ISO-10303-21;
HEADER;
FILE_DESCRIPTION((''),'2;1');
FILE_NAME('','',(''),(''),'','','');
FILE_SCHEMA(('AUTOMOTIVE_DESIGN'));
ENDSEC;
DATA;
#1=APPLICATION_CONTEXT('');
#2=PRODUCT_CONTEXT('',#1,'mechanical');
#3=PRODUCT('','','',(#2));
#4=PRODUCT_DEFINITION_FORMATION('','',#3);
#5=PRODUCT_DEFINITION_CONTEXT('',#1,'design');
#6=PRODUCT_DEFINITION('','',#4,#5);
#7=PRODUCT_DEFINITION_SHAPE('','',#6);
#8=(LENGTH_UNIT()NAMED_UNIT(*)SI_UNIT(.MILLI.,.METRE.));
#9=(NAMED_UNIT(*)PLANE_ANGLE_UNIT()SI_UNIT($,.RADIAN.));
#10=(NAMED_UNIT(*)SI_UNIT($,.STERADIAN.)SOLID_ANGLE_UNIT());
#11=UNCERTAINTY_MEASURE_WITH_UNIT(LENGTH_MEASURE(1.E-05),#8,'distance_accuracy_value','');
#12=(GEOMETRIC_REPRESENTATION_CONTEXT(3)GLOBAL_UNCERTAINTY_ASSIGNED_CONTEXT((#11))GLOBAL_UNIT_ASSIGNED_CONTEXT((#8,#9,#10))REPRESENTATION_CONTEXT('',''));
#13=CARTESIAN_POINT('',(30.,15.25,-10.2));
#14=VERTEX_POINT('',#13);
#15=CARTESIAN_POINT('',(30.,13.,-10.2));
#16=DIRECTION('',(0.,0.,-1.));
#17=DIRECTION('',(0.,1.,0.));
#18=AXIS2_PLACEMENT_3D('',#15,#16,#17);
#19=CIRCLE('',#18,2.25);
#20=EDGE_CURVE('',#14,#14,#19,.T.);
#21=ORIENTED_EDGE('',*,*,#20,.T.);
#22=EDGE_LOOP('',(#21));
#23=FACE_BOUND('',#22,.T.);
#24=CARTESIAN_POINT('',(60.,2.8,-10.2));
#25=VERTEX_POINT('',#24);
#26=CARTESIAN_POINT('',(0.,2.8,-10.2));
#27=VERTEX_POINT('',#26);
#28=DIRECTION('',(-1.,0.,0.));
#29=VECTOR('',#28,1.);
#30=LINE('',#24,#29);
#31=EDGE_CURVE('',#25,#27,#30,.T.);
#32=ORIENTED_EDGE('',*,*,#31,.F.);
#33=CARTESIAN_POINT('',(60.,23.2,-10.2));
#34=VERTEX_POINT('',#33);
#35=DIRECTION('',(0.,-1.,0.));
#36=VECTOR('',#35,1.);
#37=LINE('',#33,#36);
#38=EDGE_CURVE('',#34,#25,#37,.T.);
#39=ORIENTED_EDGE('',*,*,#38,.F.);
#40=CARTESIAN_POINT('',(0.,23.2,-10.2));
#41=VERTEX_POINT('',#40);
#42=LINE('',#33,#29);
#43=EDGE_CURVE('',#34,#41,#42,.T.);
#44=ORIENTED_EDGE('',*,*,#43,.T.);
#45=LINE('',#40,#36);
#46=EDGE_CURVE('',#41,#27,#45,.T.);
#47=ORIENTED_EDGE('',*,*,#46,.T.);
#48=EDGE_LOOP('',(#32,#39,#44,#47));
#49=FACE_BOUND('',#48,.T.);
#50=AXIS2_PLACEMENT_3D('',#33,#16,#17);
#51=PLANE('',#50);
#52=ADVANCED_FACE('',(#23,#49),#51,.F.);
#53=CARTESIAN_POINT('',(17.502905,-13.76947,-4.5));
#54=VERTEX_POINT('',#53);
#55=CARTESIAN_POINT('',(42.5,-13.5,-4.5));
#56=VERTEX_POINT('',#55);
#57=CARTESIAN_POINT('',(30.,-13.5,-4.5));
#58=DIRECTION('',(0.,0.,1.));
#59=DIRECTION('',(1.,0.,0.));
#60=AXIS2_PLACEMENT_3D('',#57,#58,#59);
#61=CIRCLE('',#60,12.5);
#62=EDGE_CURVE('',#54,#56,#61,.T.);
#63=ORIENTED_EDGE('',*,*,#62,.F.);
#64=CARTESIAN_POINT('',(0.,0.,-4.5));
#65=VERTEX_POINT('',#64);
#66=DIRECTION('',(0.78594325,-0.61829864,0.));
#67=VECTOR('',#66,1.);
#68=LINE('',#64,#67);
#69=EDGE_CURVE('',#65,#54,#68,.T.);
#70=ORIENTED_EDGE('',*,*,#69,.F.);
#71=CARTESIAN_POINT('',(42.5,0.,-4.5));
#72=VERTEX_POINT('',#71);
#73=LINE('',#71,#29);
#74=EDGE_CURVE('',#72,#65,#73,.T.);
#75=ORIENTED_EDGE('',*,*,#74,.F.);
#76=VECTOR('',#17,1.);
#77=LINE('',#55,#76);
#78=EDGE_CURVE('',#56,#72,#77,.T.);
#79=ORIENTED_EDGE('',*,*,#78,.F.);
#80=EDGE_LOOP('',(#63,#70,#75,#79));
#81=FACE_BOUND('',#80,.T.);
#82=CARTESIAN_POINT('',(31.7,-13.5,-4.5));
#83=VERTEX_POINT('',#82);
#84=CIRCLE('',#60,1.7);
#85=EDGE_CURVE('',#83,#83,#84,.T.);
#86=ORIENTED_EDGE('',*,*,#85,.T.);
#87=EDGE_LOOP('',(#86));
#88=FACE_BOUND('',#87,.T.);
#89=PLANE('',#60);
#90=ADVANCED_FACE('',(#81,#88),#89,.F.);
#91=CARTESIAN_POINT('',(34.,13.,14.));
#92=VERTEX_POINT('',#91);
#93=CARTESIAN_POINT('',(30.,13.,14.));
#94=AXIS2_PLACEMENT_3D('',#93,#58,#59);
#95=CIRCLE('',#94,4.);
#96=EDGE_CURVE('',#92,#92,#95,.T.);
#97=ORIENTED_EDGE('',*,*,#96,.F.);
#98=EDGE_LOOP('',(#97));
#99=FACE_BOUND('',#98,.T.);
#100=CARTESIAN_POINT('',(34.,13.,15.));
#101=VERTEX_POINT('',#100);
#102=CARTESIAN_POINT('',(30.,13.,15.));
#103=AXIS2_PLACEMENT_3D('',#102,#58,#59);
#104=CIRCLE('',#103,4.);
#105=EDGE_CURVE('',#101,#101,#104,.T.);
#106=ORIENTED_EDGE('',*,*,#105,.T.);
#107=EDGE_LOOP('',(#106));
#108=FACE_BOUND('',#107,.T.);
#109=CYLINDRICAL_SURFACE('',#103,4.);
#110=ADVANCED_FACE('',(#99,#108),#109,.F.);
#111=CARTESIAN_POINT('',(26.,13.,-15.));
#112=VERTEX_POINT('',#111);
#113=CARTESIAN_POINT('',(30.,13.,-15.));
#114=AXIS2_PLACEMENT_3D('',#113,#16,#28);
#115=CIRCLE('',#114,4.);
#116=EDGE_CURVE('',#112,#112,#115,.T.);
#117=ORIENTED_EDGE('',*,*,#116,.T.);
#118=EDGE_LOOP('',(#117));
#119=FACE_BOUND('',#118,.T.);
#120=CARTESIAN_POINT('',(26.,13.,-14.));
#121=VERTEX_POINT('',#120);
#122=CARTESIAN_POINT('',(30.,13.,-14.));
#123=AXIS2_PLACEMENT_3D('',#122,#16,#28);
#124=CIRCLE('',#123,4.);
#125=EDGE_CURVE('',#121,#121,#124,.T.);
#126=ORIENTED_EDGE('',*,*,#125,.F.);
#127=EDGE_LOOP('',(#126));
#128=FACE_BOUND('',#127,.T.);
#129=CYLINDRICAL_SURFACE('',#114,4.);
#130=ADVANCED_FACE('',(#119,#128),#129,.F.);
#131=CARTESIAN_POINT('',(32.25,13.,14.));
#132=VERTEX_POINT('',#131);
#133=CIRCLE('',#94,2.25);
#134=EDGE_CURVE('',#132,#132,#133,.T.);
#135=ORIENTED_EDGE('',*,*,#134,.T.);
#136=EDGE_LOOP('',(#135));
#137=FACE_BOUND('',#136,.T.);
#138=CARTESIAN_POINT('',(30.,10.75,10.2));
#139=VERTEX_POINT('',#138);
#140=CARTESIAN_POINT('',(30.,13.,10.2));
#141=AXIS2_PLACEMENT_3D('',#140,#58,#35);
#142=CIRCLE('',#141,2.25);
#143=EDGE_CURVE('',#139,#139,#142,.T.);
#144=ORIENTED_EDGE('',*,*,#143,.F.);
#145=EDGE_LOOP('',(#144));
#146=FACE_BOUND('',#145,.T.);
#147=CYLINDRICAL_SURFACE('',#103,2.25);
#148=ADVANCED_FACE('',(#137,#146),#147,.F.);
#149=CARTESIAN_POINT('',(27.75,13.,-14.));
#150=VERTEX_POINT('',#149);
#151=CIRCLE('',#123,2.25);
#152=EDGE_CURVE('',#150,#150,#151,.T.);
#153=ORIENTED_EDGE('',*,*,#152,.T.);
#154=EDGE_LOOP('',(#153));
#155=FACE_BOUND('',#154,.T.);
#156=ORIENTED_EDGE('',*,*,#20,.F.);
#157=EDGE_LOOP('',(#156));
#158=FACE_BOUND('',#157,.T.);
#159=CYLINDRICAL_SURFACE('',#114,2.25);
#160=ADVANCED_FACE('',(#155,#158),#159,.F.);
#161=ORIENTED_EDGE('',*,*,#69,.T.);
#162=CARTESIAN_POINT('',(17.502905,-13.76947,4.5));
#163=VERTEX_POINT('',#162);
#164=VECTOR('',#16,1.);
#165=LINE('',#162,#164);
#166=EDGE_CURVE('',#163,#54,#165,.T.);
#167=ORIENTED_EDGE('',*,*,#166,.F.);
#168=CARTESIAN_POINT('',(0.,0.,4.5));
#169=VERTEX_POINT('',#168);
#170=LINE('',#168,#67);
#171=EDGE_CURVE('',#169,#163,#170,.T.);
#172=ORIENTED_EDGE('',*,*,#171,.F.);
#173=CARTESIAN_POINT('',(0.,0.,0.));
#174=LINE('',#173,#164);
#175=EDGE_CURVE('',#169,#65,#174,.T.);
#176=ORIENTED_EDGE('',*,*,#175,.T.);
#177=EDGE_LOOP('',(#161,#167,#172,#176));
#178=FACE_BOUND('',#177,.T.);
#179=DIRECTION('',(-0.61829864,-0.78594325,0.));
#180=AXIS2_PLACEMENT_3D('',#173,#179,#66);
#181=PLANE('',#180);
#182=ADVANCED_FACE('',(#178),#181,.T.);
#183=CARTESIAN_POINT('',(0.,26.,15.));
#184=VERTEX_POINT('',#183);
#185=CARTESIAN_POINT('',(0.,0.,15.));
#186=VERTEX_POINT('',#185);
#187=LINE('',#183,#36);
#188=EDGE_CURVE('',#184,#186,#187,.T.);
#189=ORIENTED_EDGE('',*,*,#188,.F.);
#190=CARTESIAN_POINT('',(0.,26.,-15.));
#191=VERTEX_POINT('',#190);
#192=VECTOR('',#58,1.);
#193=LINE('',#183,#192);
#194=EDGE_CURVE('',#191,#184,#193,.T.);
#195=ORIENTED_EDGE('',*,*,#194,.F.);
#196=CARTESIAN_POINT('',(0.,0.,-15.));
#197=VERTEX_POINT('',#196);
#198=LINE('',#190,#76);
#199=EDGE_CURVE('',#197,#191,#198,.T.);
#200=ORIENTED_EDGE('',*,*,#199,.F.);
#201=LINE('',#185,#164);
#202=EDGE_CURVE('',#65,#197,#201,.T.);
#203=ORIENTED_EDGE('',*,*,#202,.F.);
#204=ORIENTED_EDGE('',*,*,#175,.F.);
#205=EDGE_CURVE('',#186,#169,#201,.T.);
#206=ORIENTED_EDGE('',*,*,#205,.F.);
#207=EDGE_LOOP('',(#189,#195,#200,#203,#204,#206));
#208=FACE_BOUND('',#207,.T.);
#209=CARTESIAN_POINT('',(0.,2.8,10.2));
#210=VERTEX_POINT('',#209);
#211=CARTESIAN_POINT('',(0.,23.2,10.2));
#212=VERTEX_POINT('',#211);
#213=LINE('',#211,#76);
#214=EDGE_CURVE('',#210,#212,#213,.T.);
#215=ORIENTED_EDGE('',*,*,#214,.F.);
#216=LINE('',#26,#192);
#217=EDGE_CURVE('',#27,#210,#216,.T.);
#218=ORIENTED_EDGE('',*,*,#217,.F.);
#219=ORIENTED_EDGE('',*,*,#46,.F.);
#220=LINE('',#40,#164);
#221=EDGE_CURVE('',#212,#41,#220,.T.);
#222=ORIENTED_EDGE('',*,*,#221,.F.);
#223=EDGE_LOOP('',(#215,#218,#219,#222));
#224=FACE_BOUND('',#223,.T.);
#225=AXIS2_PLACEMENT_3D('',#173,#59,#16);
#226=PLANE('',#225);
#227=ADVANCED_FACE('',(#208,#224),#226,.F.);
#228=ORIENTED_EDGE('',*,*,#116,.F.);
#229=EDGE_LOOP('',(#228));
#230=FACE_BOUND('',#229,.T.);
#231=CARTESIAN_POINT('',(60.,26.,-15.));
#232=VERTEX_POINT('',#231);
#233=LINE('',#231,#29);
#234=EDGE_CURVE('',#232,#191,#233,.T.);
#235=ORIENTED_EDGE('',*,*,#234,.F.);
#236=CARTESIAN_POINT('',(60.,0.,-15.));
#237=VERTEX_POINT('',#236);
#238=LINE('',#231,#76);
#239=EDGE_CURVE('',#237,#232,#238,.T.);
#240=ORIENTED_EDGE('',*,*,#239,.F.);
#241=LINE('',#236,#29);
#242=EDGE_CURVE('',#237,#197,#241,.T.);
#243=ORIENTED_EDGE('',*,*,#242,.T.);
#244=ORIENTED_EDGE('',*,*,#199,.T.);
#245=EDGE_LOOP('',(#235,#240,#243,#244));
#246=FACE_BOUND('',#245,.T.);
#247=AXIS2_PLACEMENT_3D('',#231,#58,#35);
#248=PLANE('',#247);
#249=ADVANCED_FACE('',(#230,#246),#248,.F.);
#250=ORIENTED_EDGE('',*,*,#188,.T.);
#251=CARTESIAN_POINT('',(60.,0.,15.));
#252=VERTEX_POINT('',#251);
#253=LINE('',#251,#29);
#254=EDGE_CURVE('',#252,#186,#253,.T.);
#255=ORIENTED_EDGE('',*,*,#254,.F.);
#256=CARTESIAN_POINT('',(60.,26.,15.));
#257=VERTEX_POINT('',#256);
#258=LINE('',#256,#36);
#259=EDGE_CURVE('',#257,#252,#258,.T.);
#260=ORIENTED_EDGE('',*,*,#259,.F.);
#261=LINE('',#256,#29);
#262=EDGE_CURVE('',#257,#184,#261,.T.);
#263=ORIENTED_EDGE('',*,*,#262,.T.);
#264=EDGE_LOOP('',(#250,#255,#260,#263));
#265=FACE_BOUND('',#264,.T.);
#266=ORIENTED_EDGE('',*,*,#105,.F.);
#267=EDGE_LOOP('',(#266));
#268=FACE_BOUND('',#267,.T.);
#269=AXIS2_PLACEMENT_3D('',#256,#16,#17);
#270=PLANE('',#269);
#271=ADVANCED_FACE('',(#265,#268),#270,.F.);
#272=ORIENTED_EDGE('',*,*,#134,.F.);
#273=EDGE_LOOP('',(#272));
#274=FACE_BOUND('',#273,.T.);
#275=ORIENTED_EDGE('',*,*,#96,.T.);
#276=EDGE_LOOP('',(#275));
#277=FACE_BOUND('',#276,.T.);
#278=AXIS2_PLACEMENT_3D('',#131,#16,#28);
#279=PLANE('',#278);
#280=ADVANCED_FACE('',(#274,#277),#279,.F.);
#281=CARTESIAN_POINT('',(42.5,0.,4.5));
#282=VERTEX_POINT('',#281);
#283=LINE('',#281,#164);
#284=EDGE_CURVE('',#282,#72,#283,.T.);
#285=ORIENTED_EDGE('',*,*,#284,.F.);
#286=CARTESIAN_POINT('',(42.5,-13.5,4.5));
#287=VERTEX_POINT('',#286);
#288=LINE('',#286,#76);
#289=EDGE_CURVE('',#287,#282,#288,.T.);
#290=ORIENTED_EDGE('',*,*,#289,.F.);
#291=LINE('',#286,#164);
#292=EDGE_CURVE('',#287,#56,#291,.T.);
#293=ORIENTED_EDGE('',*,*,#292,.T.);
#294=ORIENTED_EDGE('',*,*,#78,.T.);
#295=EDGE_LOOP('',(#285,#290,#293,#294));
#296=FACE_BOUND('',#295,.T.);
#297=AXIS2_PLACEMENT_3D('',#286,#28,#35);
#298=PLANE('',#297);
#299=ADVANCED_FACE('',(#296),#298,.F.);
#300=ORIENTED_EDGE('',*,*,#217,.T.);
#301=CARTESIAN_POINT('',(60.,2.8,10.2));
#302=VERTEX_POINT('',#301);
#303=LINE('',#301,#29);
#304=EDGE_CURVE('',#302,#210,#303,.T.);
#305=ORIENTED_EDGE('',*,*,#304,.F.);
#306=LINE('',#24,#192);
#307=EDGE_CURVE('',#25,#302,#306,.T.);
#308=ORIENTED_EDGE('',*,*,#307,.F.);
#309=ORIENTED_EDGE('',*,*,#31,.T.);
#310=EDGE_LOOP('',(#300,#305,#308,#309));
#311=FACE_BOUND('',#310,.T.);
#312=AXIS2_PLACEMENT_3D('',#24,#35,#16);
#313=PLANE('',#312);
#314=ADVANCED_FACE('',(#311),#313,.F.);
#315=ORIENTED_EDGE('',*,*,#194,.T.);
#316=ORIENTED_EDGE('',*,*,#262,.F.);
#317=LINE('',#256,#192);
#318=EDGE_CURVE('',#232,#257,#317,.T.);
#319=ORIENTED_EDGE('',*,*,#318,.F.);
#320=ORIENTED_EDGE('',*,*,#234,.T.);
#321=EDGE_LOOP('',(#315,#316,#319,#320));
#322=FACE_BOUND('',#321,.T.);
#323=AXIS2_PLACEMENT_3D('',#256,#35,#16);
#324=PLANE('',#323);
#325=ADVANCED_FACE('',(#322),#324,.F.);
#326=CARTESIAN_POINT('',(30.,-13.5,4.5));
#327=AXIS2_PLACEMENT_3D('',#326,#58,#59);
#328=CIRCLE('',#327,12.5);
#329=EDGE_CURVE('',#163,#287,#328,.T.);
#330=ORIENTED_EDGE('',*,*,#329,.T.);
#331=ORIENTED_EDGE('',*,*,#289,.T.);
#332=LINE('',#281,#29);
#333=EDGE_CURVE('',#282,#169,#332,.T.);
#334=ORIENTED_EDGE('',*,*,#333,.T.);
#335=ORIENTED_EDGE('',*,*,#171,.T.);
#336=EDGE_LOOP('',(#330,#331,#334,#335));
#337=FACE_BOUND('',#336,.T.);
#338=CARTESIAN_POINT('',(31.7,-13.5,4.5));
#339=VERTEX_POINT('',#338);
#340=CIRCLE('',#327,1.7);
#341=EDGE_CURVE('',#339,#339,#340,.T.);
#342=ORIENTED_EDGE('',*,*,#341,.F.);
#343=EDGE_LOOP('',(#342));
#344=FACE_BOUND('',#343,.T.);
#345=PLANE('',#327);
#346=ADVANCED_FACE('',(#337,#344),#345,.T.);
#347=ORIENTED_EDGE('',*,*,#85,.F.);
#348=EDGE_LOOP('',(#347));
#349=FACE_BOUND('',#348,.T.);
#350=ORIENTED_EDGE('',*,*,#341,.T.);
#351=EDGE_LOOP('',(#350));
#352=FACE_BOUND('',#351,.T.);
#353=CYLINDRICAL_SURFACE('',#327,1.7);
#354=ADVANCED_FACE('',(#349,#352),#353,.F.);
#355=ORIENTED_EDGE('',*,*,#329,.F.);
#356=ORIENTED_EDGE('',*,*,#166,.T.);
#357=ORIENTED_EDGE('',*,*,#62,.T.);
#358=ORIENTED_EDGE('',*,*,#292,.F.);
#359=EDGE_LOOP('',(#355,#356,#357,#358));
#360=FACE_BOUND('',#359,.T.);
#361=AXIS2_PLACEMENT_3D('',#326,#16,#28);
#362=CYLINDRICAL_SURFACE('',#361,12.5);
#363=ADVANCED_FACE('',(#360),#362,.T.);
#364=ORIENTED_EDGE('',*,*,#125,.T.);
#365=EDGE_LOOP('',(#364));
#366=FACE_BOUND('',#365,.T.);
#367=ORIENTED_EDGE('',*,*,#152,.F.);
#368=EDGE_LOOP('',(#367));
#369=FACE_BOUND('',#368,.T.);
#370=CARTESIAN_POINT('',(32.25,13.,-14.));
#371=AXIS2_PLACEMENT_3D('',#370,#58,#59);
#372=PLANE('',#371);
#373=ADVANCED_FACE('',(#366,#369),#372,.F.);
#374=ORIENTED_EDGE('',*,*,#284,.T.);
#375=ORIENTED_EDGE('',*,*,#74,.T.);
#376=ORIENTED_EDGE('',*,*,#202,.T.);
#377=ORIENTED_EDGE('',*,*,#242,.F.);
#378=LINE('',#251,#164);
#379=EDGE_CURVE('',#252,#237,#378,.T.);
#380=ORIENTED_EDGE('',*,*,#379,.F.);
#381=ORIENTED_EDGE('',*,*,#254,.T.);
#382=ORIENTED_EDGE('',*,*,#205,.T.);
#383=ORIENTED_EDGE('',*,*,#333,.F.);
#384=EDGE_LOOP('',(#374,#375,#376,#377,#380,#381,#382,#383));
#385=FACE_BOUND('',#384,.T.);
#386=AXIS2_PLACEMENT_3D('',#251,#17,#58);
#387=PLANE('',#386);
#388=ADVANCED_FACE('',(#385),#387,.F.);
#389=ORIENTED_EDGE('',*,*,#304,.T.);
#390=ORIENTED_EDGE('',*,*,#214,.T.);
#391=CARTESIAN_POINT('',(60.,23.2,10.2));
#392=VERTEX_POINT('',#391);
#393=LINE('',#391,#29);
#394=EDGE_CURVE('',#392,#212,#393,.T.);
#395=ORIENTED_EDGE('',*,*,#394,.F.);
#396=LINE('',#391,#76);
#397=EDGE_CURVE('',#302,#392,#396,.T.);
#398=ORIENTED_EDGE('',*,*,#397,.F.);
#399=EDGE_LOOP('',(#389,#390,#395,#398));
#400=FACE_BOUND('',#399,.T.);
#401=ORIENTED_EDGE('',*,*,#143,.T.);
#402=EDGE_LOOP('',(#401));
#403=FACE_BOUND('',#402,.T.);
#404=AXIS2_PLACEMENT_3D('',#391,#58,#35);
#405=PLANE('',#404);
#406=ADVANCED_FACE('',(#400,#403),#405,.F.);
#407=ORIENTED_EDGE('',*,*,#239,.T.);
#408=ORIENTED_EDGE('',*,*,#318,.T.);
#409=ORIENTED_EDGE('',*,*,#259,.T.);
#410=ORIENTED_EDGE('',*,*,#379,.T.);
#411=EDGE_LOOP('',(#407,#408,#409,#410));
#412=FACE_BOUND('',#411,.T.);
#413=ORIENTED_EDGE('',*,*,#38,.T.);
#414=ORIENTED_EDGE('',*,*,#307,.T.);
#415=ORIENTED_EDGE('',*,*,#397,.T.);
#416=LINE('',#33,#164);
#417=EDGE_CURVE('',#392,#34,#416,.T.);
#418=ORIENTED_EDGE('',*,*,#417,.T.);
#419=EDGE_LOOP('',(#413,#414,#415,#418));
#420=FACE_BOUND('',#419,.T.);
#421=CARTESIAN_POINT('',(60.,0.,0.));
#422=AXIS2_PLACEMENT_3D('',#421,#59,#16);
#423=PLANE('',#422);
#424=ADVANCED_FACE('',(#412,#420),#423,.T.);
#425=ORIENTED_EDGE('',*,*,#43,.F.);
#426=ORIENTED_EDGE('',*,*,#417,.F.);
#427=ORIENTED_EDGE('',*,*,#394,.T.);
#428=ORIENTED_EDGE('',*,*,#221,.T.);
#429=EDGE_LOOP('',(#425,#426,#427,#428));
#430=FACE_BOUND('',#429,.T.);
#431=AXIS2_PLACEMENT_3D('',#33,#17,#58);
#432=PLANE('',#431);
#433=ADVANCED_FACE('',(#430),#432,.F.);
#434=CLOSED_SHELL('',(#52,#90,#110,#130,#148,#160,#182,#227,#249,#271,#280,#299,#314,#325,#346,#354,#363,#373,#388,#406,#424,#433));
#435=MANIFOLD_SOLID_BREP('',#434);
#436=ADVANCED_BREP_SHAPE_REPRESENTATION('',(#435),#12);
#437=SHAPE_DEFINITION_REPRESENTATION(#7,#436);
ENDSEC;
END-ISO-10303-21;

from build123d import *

# Parameters (mm, degrees)
ESQUISSE1_W                                        = 30
ESQUISSE1_H                                        = 26
BOSS_EXTRU_1_DEPTH                                 = 60
BOSS_EXTRU_2_DEPTH                                 = 4.5
ESQUISSE3_W                                        = 20.4
ESQUISSE3_H                                        = 20.4
ENL_V_MAT_EXTRU_1_DEPTH                            = 60
D_GAGEMENT_M31_D                                   = 3.4
NERVURE3_REACH                                     = 69.089
ESQUISSE7_WALL_W                                   = 158.445223638
ESQUISSE7_WALL_H                                   = 9
CHAMBRAGE_POUR_VIS_T_TE_HEXAGONALE_M41_D           = 4.5
CHAMBRAGE_POUR_VIS_T_TE_HEXAGONALE_M41_DEPTH       = 4.8
CHAMBRAGE_POUR_VIS_T_TE_HEXAGONALE_M41_CBORE_D     = 8
CHAMBRAGE_POUR_VIS_T_TE_HEXAGONALE_M41_CBORE_DEPTH = 1


with BuildPart() as part:
    # Esquisse1 → Boss.-Extru.1 (new body)
    with BuildSketch(Plane(origin=(0, 0, 0), x_dir=(0, 0, -1), z_dir=(1, 0, 0))):
        with Locations((0, 13)):
            Rectangle(ESQUISSE1_W, ESQUISSE1_H)
    extrude(amount=BOSS_EXTRU_1_DEPTH)

    # Esquisse4 → Boss.-Extru.2 (add, symmetric)
    with BuildSketch(Plane.XY):
        with BuildLine():
            Line((17.5, 0), (17.5, -13.5))
            ThreePointArc((17.5, -13.5), (30, -26), (42.5, -13.5))
            Line((42.5, -13.5), (42.5, 0))
            Line((42.5, 0), (17.5, 0))
        make_face()
    extrude(amount=BOSS_EXTRU_2_DEPTH, both=True)

    # Esquisse3 → Enlèv. mat.-Extru.1 (cut)
    with BuildSketch(Plane.ZY):
        with Locations((0, 13)):
            Rectangle(ESQUISSE3_W, ESQUISSE3_H)
    extrude(amount=-ENL_V_MAT_EXTRU_1_DEPTH, mode=Mode.SUBTRACT)

    # Dégagement M31 (through all)
    with Locations(Plane.XY.offset(4.5)):
        with Locations((30, -13.5)):
            Hole(D_GAGEMENT_M31_D / 2)

    # Esquisse7 wall → Nervure3 (add, up to next)
    with BuildSketch(Plane(origin=(8.75, -6.883592551, 0), x_dir=(0.785943249757, -0.618298639947, 0), z_dir=(0.618298639947, 0.785943249757, 0)), mode=Mode.PRIVATE) as nervure3_sk1:
        Rectangle(ESQUISSE7_WALL_W, ESQUISSE7_WALL_H)
    nervure3_tool1 = extrude(nervure3_sk1.sketch, amount=NERVURE3_REACH, mode=Mode.PRIVATE) - part.part
    add(nervure3_tool1.solids().sort_by_distance((8.75, -6.883592551, 0))[0])

    # Chambrage pour vis à tête hexagonale M41
    with Locations(Plane.XY.offset(15)):
        with Locations((30, 13)):
            chambrage_pour_vis_t_te_hexagonale_m41 = CounterBoreHole(CHAMBRAGE_POUR_VIS_T_TE_HEXAGONALE_M41_D / 2, CHAMBRAGE_POUR_VIS_T_TE_HEXAGONALE_M41_CBORE_D / 2, CHAMBRAGE_POUR_VIS_T_TE_HEXAGONALE_M41_CBORE_DEPTH, depth=CHAMBRAGE_POUR_VIS_T_TE_HEXAGONALE_M41_DEPTH)

    # Symétrie1: Chambrage pour vis à tête hexagonale M41 across plane
    add(chambrage_pour_vis_t_te_hexagonale_m41.mirror(Plane.XY), mode=Mode.SUBTRACT)


solid = part.part
